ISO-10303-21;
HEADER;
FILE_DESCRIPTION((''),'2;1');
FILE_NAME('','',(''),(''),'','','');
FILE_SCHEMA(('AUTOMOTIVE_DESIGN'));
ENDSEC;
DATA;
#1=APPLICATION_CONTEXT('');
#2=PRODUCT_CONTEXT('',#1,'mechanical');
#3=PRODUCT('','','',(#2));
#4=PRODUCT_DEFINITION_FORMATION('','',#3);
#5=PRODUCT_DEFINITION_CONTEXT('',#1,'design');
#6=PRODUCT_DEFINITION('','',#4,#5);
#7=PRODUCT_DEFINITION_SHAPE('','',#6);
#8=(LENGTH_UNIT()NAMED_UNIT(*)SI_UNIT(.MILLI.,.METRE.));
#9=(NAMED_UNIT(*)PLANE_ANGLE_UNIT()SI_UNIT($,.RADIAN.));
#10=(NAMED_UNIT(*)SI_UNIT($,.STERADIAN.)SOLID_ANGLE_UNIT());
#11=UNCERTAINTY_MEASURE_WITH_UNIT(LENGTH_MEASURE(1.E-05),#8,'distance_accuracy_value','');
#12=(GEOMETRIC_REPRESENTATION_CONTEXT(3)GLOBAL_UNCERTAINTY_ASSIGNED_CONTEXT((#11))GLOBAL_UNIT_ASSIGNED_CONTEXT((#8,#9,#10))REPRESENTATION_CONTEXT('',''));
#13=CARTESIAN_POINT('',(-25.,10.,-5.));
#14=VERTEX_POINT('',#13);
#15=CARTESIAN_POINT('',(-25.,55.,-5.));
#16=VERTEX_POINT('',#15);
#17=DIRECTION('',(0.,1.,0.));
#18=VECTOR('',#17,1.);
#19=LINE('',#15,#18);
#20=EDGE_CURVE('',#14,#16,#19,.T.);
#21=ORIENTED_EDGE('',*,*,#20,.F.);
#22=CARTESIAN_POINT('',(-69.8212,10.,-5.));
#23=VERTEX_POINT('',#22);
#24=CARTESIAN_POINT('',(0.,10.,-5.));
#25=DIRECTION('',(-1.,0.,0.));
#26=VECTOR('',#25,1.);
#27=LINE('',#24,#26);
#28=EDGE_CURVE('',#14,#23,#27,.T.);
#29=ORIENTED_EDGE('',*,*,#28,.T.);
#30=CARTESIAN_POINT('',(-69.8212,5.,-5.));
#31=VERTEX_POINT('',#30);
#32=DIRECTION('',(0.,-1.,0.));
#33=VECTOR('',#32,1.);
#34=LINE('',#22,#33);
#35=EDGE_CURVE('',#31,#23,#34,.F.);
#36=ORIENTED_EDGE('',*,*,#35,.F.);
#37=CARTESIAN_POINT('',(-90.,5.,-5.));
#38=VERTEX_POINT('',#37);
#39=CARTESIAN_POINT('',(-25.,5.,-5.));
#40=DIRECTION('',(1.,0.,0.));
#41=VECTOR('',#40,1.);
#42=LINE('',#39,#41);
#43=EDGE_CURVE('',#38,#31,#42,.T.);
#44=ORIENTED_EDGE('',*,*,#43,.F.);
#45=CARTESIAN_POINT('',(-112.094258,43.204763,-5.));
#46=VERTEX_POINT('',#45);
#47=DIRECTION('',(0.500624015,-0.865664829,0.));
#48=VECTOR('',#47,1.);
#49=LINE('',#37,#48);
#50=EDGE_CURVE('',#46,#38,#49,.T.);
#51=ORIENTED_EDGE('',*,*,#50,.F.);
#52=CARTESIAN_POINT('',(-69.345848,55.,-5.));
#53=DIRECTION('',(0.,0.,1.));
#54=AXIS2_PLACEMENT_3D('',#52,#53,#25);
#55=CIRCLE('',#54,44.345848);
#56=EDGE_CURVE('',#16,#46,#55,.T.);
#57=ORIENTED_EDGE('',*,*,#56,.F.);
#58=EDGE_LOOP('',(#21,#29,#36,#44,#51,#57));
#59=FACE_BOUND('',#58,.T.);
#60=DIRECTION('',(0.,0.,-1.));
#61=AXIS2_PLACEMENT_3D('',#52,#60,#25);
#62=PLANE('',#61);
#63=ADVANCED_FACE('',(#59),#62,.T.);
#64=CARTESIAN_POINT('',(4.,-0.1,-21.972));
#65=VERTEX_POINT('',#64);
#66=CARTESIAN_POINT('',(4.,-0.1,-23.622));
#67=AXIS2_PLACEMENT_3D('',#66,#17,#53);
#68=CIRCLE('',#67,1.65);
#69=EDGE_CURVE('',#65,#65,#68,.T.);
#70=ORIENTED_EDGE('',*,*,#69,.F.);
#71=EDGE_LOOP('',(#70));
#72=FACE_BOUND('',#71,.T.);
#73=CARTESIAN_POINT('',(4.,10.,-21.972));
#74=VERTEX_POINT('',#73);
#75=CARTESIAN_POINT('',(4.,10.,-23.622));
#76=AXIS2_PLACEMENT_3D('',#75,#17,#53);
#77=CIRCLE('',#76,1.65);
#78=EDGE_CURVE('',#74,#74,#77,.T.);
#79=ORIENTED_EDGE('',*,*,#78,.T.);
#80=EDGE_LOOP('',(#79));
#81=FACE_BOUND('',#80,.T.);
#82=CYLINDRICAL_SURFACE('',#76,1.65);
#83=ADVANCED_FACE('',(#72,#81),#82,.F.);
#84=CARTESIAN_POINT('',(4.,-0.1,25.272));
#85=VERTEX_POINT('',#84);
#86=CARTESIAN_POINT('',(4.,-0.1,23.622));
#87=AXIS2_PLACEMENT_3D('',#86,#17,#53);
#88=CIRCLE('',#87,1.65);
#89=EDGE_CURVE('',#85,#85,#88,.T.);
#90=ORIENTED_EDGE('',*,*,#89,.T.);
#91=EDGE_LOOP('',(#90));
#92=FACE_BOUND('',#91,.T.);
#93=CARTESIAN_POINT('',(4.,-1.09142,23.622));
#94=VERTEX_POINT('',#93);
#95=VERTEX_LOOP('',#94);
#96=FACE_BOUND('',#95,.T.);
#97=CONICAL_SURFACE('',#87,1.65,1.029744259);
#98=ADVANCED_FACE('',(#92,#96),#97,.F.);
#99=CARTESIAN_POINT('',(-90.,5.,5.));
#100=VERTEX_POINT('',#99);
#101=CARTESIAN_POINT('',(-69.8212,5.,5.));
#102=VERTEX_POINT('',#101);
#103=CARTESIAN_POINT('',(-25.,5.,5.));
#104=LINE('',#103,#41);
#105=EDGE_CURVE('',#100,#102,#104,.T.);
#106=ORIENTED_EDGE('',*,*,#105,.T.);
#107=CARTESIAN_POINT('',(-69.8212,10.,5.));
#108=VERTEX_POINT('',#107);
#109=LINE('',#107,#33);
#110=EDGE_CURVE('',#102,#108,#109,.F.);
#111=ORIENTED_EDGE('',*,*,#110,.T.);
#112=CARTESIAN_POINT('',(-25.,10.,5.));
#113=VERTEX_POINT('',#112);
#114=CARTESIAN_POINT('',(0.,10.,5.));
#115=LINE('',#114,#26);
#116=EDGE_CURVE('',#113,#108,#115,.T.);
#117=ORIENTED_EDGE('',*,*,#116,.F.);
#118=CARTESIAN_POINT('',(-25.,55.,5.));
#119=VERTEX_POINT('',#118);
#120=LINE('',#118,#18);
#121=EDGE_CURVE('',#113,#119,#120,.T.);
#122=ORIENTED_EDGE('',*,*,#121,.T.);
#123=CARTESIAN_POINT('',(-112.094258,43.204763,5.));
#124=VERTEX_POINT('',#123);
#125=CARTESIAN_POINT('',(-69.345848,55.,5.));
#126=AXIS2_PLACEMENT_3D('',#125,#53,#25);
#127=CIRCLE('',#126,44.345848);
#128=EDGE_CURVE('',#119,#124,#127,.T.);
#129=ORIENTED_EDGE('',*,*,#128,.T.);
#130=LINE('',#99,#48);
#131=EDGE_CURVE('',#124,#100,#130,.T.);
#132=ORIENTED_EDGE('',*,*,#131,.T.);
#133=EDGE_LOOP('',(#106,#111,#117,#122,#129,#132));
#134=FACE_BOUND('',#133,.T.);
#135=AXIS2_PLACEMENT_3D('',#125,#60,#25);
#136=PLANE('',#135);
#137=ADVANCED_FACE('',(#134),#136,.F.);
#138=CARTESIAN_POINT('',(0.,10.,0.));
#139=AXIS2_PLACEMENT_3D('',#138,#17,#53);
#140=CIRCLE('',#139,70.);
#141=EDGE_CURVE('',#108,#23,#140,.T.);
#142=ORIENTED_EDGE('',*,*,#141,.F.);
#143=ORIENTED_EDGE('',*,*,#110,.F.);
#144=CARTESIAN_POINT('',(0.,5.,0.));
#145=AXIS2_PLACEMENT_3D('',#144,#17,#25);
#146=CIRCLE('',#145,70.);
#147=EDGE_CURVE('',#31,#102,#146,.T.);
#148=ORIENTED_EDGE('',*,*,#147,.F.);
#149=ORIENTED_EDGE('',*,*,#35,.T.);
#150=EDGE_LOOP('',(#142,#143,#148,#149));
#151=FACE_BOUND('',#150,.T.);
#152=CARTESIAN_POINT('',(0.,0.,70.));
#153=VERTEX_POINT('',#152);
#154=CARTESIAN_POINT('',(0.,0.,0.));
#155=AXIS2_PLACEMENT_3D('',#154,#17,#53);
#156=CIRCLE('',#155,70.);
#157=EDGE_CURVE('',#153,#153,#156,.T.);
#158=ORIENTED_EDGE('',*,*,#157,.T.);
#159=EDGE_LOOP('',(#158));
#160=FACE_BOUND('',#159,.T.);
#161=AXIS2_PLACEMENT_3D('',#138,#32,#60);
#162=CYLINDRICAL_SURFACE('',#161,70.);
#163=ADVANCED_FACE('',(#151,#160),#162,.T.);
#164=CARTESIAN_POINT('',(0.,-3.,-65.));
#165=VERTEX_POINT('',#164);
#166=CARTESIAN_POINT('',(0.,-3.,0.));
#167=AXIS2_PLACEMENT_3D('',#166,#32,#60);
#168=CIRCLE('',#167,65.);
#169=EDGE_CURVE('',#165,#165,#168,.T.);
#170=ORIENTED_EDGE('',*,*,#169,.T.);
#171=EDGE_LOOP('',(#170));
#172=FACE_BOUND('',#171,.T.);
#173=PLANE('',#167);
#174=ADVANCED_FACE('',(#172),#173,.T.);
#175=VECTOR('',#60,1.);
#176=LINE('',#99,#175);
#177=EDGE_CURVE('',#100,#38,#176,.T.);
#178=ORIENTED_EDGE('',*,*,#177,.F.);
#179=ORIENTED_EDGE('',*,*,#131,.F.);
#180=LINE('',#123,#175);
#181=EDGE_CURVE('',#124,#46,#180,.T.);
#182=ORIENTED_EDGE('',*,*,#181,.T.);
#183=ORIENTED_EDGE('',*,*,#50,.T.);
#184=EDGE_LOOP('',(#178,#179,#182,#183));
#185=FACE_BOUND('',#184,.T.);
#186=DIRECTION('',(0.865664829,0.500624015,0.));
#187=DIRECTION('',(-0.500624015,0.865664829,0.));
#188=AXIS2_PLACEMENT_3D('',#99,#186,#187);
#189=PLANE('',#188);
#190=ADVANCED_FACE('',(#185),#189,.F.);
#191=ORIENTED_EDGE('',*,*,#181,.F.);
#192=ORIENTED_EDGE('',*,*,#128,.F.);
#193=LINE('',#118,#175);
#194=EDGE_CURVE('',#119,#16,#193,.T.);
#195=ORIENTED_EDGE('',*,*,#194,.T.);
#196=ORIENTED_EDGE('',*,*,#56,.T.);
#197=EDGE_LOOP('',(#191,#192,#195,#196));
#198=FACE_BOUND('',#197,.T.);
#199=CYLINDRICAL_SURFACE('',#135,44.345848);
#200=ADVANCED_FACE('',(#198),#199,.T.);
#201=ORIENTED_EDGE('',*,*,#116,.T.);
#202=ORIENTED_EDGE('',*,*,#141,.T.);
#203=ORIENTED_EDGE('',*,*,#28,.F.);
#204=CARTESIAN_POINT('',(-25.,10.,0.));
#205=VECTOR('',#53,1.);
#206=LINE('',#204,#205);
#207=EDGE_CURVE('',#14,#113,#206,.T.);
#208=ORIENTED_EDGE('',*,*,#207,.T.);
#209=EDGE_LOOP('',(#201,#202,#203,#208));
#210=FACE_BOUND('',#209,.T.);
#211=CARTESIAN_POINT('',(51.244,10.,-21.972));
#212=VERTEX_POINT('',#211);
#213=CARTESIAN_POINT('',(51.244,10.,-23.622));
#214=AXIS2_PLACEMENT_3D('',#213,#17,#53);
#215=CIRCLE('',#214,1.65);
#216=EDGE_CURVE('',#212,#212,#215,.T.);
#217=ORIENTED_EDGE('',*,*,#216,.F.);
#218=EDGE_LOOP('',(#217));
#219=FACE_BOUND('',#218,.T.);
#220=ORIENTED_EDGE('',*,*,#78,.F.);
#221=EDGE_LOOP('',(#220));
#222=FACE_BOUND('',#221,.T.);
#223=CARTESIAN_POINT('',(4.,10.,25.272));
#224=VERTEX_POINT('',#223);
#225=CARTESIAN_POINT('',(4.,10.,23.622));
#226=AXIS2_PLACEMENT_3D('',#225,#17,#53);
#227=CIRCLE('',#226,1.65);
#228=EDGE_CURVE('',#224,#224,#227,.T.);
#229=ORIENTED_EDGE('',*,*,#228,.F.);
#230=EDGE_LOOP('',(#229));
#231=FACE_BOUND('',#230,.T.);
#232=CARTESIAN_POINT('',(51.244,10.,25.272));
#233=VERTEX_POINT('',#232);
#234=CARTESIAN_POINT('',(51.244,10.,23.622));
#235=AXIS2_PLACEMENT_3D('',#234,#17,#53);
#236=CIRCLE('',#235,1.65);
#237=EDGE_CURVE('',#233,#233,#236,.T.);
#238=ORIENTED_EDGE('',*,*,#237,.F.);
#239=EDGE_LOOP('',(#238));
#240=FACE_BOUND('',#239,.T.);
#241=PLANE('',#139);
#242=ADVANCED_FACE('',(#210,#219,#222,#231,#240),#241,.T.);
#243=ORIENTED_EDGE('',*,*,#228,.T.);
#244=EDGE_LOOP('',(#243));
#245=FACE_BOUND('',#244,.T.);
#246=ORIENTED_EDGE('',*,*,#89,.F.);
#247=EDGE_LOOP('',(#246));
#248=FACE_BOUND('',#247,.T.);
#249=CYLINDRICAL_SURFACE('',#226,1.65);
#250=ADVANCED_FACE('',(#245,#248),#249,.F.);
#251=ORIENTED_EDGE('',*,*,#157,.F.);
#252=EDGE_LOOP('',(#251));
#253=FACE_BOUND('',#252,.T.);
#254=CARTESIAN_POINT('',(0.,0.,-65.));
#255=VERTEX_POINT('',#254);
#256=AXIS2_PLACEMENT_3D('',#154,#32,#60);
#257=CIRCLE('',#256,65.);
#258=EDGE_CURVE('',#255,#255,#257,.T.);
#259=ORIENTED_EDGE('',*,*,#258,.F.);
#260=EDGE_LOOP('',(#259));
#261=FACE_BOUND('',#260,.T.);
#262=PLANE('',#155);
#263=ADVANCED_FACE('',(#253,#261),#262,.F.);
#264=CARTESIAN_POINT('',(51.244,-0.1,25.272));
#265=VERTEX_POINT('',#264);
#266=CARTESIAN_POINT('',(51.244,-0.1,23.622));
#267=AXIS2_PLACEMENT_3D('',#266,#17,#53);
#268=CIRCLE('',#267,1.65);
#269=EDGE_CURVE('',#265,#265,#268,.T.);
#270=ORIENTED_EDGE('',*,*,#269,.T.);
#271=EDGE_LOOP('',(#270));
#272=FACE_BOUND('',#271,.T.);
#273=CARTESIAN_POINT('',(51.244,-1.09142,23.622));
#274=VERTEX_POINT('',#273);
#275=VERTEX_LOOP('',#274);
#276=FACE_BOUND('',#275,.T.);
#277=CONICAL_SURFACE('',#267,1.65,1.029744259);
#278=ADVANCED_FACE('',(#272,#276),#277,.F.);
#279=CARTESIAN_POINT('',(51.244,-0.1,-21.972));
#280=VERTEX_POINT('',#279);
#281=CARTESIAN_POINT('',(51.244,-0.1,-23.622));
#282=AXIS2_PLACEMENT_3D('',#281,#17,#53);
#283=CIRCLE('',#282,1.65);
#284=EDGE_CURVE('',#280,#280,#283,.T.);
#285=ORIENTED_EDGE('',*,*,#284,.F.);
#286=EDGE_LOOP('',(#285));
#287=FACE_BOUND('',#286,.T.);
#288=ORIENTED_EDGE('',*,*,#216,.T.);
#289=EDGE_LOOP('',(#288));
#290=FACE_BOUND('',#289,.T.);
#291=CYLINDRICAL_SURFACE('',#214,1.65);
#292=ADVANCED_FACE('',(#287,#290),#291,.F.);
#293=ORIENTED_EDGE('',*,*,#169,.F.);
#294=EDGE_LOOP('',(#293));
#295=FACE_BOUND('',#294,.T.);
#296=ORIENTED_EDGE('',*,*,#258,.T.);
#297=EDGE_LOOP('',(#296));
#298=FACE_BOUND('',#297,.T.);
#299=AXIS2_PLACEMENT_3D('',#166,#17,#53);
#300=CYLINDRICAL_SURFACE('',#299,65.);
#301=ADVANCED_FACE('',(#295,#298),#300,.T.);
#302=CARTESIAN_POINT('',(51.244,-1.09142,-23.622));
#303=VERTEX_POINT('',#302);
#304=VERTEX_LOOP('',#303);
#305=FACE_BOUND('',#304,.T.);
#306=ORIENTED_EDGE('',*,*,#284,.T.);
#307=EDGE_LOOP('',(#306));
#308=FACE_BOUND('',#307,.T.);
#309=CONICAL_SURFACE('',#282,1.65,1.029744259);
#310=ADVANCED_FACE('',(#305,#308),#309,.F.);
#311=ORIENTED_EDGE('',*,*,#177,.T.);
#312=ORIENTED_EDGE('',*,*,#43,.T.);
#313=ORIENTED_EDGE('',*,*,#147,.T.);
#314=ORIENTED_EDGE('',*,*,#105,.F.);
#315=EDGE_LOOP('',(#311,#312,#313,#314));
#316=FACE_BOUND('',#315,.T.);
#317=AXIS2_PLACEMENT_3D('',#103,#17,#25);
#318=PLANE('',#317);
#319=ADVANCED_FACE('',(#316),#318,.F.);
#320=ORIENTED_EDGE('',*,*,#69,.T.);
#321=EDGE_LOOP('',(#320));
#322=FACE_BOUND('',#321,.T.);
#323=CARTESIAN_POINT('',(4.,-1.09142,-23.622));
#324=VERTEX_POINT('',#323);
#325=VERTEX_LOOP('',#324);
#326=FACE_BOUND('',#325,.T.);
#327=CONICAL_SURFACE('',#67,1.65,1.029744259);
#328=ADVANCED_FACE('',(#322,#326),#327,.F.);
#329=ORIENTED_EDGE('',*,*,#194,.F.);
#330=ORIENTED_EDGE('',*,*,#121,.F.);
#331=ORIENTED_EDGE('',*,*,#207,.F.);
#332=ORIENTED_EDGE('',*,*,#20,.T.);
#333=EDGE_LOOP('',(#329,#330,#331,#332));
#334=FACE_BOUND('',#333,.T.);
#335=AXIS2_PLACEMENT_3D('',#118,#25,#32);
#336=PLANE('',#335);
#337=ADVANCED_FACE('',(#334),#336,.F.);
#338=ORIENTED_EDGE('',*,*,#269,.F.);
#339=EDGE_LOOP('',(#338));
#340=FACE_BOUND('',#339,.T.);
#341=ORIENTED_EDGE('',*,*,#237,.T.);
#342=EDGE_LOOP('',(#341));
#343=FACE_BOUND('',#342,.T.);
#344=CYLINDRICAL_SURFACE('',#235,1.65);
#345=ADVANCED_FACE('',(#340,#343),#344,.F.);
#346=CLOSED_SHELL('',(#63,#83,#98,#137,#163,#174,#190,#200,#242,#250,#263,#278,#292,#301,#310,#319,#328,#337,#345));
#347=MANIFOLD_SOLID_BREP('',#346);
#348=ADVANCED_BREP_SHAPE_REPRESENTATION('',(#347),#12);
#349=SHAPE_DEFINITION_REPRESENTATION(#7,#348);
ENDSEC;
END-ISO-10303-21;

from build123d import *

# Parameters (mm, degrees)
SKETCH1_R                 = 70
BOSS_EXTRUDE1_DEPTH       = 10
SKETCH2_R                 = 65
BOSS_EXTRUDE2_DEPTH       = 3
BOSS_EXTRUDE3_DEPTH       = 5
M4X0_7_TAPPED_HOLE1_D     = 3.3
M4X0_7_TAPPED_HOLE1_DEPTH = 10.1
M4X0_7_TAPPED_HOLE1_TIP   = 0.991420021


with BuildPart() as part:
    # Sketch1 → Boss-Extrude1 (new body)
    with BuildSketch(Plane(origin=(0, 0, 0), x_dir=(1, 0, 0), z_dir=(0, 1, 0))):
        Circle(SKETCH1_R)
    extrude(amount=BOSS_EXTRUDE1_DEPTH)

    # Sketch2 → Boss-Extrude2 (add)
    with BuildSketch(Plane.XZ):
        Circle(SKETCH2_R)
    extrude(amount=BOSS_EXTRUDE2_DEPTH)

    # Sketch3 → Boss-Extrude3 (add, symmetric)
    with BuildSketch(Plane.XY):
        with BuildLine():
            Line((-25, 55), (-25, 5))
            Line((-25, 5), (-90, 5))
            Line((-90, 5), (-112.094257771, 43.204763027))
            ThreePointArc((-112.094257771, 43.204763027), (-75.29730578, 98.944673602), (-25, 55))
        make_face()
    extrude(amount=BOSS_EXTRUDE3_DEPTH, both=True)

    # M4x0.7 Tapped Hole1
    with Locations(Plane(origin=(0, 10, 0), x_dir=(1, 0, 0), z_dir=(0, 1, 0))):
        with Locations((4, 23.622), (51.244, 23.622), (51.244, -23.622), (4, -23.622)):
            Hole(M4X0_7_TAPPED_HOLE1_D / 2, depth=M4X0_7_TAPPED_HOLE1_DEPTH)
            with Locations((0, 0, -(M4X0_7_TAPPED_HOLE1_DEPTH + M4X0_7_TAPPED_HOLE1_TIP / 2))):  # 118° drill point
                Cone(0, M4X0_7_TAPPED_HOLE1_D / 2, M4X0_7_TAPPED_HOLE1_TIP, mode=Mode.SUBTRACT)


solid = part.part
